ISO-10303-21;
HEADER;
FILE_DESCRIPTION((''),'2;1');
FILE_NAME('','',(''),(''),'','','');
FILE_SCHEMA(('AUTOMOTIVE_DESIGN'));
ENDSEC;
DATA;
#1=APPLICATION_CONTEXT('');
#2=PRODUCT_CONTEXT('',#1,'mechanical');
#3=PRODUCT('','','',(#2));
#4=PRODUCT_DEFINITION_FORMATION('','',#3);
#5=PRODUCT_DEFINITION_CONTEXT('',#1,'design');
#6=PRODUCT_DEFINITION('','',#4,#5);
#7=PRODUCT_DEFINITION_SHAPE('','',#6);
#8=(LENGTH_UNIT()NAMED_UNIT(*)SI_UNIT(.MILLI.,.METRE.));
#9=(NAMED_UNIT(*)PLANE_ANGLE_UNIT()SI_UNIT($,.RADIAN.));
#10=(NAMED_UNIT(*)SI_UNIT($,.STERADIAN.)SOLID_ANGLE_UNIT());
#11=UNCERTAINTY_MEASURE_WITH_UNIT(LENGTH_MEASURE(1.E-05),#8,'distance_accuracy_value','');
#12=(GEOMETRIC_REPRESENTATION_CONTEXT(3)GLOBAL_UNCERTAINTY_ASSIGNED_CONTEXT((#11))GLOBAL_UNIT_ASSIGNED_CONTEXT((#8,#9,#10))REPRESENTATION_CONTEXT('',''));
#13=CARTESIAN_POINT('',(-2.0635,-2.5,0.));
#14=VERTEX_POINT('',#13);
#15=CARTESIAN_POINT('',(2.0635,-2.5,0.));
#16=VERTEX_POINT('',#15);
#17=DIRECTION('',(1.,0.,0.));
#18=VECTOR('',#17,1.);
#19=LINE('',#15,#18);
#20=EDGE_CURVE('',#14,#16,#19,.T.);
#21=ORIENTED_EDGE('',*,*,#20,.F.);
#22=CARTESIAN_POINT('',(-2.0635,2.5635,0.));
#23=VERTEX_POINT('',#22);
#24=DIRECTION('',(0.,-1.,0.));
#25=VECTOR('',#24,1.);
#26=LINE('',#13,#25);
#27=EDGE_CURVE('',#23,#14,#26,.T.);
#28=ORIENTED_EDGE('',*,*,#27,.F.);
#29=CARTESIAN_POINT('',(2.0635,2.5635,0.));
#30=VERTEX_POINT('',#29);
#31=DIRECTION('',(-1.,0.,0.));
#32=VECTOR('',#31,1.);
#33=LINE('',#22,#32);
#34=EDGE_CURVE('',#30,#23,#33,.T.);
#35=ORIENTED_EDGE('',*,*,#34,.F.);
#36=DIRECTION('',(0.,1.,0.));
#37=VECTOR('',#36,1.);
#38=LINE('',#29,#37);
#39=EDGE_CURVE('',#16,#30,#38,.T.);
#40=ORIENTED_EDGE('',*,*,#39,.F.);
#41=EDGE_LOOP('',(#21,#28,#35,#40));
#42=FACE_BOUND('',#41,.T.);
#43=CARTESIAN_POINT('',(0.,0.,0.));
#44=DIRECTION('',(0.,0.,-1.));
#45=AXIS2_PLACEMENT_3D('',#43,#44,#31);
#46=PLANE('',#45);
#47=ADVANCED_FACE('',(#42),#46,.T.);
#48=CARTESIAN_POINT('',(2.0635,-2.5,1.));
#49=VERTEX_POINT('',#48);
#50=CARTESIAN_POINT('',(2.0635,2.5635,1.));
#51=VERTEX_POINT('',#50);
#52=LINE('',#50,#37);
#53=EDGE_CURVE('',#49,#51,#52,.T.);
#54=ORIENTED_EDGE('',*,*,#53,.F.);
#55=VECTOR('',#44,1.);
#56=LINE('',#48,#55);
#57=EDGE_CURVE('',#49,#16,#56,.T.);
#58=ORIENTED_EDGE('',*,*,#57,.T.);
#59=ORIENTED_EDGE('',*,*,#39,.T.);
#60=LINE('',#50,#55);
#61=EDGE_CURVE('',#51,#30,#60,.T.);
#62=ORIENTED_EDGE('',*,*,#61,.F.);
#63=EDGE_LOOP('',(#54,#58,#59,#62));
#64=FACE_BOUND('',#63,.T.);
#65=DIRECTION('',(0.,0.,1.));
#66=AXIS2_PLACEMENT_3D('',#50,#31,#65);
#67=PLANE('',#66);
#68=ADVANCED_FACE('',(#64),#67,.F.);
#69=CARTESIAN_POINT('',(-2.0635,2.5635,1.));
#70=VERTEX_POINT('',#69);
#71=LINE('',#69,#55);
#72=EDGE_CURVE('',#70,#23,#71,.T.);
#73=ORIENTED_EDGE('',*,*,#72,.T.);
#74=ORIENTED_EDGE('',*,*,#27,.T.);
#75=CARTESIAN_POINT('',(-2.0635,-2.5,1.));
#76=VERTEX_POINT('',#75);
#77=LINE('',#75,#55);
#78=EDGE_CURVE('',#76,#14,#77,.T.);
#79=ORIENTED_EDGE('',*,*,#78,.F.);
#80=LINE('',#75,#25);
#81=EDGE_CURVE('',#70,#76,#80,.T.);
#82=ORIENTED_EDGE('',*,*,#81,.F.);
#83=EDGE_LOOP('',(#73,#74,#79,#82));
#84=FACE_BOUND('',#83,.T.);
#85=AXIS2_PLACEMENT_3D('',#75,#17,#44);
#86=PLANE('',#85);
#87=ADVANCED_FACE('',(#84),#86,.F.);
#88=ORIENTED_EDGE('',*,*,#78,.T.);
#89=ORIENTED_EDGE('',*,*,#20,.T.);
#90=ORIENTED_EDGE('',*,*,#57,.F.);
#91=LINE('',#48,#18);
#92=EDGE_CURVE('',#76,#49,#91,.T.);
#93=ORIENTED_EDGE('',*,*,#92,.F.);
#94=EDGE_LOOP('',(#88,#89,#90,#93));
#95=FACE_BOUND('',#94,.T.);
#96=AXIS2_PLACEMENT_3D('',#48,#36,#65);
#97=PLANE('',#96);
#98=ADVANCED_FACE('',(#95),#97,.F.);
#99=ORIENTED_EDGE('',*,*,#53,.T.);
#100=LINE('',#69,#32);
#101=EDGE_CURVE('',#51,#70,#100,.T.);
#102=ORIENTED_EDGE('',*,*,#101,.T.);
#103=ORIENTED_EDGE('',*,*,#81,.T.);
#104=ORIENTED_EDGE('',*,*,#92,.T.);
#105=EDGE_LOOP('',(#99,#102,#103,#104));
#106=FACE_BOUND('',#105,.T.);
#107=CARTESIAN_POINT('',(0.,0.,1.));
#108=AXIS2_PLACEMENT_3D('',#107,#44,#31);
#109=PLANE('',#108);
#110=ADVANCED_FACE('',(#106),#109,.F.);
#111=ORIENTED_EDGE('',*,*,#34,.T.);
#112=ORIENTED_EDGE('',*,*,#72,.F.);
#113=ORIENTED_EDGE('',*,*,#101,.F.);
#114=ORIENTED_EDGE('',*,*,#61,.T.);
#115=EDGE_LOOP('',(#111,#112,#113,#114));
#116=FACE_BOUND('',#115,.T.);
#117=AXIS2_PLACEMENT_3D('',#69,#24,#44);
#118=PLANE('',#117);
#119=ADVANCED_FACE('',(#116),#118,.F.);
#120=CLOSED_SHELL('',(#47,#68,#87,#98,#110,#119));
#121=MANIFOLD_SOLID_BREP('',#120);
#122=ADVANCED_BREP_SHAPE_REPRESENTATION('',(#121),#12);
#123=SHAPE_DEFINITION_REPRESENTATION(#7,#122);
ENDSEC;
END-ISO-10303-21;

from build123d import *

# Parameters (mm, degrees)
SKETCH1_W               = 4.127
SKETCH1_H               = 5.0635
COMPONENT_OUTLINE_DEPTH = 1


with BuildPart() as part:
    # Sketch1 → Component_Outline (new body)
    with BuildSketch(Plane.XY):
        with Locations((0, 0.03175)):
            Rectangle(SKETCH1_W, SKETCH1_H)
    extrude(amount=COMPONENT_OUTLINE_DEPTH)


solid = part.part
